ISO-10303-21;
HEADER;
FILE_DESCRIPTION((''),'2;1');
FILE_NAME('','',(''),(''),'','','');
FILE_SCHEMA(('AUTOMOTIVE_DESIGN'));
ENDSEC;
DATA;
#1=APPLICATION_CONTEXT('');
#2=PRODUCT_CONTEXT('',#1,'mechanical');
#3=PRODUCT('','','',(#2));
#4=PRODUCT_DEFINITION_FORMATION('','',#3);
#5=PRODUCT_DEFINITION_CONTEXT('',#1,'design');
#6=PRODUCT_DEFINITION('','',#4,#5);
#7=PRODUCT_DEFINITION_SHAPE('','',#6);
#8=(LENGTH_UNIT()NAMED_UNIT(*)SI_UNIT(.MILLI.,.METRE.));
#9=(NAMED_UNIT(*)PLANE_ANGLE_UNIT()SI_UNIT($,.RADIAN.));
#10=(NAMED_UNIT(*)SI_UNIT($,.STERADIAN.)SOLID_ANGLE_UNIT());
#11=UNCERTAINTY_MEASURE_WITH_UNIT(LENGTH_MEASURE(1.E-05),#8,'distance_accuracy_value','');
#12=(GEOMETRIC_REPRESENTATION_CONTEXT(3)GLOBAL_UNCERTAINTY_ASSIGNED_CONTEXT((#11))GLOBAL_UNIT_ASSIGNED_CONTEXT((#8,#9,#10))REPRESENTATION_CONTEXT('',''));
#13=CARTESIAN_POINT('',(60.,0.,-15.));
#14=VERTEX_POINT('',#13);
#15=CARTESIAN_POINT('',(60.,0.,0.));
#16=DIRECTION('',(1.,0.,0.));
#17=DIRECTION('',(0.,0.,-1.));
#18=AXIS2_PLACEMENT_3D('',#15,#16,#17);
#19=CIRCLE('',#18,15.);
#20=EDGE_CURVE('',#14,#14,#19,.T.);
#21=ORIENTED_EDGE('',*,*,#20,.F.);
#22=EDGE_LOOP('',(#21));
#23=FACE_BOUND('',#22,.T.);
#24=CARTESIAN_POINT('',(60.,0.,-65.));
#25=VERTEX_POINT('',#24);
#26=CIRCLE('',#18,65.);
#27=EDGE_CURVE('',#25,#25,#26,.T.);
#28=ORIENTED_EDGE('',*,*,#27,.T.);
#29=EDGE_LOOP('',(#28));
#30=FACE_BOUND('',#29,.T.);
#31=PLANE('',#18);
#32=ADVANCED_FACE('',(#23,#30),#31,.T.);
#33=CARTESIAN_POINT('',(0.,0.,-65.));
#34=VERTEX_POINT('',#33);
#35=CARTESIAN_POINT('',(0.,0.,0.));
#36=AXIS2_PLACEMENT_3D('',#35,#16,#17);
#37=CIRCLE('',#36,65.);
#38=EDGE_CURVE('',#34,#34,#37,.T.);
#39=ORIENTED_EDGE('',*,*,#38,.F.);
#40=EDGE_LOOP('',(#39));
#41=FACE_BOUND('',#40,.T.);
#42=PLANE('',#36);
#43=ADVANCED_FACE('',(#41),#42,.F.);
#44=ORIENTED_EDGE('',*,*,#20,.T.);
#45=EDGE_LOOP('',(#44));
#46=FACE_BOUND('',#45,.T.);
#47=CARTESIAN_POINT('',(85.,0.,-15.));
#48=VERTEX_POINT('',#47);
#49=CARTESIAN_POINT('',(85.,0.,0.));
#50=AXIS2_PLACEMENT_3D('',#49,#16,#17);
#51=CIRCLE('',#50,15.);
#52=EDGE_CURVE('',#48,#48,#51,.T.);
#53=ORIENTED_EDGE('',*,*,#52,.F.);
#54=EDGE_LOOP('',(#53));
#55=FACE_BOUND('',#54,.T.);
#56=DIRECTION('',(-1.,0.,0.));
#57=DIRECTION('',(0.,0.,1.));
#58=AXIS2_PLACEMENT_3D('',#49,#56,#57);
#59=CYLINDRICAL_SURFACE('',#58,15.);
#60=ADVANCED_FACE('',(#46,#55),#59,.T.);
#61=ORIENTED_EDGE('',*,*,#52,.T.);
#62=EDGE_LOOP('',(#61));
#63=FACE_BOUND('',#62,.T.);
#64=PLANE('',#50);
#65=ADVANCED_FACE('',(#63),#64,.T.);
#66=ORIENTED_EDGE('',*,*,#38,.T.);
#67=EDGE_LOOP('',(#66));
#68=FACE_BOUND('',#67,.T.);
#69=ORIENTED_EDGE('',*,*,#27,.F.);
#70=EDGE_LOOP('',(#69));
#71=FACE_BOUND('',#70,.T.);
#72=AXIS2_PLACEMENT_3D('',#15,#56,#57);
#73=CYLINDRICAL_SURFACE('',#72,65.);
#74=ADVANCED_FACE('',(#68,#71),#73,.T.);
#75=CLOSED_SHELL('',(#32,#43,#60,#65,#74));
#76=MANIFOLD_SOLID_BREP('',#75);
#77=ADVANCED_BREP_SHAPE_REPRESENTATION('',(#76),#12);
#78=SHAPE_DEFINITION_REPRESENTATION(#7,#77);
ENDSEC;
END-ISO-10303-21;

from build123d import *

# Parameters (mm, degrees)
SKETCH1_R           = 65
BOSS_EXTRUDE1_DEPTH = 60
SKETCH2_R           = 15
BOSS_EXTRUDE2_DEPTH = 25


with BuildPart() as part:
    # Sketch1 → Boss-Extrude1 (new body)
    with BuildSketch(Plane(origin=(0, 0, 0), x_dir=(0, 0, -1), z_dir=(1, 0, 0))):
        Circle(SKETCH1_R)
    extrude(amount=BOSS_EXTRUDE1_DEPTH)

    # Sketch2 → Boss-Extrude2 (add)
    with BuildSketch(Plane(origin=(60, 0, 0), x_dir=(0, 0, -1), z_dir=(1, 0, 0))):
        Circle(SKETCH2_R)
    extrude(amount=BOSS_EXTRUDE2_DEPTH)


solid = part.part
